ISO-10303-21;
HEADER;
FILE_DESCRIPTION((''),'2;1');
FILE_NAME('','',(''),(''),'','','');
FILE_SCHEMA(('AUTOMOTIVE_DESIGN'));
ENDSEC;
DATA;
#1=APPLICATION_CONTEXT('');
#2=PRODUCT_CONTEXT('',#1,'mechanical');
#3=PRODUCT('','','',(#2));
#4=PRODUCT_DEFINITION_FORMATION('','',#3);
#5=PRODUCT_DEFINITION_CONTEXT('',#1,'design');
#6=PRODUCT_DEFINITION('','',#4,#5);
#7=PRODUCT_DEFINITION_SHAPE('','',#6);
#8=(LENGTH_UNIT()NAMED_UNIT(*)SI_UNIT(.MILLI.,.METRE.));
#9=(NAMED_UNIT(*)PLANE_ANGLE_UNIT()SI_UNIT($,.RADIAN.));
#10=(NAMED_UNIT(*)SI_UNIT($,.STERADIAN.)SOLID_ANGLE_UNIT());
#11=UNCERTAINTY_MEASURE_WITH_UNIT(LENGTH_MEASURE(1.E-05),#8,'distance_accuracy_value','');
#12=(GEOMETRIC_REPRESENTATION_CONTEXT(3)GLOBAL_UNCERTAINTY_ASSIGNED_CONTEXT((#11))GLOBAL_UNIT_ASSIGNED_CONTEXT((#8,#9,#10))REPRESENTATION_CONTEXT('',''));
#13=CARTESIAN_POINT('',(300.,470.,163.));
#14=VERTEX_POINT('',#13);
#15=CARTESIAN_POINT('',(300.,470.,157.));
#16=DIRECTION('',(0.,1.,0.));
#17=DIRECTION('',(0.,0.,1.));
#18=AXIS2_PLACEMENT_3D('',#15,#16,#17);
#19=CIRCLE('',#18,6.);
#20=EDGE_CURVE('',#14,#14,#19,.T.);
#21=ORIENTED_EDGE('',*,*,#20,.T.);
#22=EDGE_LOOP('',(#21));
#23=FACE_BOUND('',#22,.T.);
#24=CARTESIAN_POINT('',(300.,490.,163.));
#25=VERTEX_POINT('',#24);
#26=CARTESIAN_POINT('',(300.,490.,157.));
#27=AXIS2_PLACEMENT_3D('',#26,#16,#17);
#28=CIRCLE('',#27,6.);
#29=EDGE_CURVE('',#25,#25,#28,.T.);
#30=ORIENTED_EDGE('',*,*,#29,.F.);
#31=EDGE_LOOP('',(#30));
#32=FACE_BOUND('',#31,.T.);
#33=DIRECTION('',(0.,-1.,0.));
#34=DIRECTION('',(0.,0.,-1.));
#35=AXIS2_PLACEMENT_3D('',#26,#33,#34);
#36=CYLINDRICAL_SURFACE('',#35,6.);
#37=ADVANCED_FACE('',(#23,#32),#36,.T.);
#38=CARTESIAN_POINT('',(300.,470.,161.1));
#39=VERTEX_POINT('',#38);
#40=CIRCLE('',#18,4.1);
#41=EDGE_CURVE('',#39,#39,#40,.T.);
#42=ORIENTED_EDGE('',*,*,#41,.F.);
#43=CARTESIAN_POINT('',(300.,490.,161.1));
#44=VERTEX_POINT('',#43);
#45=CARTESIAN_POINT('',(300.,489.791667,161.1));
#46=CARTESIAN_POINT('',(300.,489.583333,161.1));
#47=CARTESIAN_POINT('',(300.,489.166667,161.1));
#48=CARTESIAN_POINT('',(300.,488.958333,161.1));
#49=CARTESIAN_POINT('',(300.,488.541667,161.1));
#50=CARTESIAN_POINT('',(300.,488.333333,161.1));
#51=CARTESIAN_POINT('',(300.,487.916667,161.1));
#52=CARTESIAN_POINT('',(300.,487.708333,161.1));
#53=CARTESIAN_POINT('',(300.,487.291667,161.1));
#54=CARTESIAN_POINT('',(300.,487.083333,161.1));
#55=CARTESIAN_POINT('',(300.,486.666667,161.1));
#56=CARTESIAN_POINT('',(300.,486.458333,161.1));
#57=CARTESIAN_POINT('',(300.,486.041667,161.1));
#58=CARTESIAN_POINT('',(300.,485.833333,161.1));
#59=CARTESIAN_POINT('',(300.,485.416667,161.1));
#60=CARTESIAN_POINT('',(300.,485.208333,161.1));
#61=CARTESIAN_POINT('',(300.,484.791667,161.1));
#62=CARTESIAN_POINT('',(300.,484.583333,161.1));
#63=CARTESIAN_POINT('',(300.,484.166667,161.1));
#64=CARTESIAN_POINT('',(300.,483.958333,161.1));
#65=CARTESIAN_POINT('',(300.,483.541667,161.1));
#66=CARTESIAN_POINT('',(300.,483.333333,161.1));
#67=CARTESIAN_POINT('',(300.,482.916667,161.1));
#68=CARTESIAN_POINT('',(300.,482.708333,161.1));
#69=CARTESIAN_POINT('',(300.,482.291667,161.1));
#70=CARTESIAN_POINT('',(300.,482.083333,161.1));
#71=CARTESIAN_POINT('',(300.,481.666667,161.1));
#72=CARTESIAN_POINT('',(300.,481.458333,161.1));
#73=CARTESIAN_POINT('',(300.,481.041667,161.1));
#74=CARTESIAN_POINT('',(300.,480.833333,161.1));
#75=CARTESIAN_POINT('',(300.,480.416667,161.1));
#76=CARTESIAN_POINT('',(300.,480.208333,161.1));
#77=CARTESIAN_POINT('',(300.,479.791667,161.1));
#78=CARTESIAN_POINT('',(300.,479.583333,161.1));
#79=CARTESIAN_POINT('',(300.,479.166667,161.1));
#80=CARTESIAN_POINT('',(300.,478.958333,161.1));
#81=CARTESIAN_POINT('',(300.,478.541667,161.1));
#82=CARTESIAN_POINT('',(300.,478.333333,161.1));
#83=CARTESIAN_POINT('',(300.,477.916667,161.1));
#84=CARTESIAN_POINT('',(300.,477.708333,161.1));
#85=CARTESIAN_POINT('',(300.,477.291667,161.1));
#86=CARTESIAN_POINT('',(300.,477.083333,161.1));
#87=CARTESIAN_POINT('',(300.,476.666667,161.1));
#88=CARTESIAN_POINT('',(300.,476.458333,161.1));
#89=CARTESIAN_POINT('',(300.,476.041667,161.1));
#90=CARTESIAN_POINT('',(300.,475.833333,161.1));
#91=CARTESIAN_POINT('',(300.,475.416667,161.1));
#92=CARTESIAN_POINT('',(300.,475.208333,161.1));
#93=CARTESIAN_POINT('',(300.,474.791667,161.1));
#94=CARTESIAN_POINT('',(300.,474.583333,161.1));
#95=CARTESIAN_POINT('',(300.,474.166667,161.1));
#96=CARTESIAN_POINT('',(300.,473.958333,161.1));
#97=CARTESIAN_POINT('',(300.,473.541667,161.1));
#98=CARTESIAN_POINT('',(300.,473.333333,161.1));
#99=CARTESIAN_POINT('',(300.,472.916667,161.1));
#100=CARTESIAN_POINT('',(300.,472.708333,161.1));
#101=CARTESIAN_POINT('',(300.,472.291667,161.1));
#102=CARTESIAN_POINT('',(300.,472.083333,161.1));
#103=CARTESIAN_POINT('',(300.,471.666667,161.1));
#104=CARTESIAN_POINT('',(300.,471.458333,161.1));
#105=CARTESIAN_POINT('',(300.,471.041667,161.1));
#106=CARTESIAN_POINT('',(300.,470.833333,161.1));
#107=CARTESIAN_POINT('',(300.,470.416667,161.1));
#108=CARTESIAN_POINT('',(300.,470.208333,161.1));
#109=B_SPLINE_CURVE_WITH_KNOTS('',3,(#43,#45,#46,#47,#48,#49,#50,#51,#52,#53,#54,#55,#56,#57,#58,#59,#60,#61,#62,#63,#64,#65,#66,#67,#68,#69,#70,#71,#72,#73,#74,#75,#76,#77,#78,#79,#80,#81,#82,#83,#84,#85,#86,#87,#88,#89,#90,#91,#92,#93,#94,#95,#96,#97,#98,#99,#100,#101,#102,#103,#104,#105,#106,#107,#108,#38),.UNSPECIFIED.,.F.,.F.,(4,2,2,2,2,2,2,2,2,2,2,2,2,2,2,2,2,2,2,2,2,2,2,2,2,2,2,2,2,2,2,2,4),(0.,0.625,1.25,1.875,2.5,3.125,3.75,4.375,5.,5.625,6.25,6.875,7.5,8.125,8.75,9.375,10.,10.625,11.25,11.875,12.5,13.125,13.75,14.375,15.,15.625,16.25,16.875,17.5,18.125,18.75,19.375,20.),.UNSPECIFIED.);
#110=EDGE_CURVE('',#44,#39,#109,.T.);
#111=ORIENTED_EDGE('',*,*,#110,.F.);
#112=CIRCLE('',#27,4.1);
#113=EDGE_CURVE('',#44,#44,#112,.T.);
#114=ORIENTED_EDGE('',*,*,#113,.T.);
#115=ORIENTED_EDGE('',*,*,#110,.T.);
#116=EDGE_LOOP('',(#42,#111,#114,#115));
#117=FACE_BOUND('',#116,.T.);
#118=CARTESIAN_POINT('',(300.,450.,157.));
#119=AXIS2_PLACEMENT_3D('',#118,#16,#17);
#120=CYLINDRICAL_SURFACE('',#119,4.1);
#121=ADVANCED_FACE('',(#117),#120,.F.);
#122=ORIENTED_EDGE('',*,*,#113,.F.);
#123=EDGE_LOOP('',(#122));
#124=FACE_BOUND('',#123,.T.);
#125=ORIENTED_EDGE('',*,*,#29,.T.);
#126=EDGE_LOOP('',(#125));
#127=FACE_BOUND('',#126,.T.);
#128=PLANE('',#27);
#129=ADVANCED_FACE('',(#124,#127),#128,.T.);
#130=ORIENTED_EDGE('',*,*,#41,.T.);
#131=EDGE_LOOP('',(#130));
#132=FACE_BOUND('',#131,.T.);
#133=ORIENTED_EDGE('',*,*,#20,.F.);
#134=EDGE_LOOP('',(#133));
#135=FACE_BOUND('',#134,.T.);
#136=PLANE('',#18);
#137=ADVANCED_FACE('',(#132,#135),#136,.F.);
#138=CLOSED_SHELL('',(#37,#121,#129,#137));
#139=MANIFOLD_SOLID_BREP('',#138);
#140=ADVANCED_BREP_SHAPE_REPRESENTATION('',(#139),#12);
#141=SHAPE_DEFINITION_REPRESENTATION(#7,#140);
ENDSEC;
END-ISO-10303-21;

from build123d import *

# Parameters (mm, degrees)
SKETCH1_R           = 6
BOSS_EXTRUDE1_DEPTH = 20
SKETCH2_R           = 4.1
CUT_EXTRUDE1_DEPTH  = 40


with BuildPart() as part:
    # Sketch1 → Boss-Extrude1 (new body)
    with BuildSketch(Plane(origin=(0, 470, 0), x_dir=(1, 0, 0), z_dir=(0, 1, 0))):
        with Locations(Location((300, -157, 0), (0, 0, 270))):
            Circle(SKETCH1_R)
    extrude(amount=BOSS_EXTRUDE1_DEPTH)

    # Sketch2 → Cut-Extrude1 (cut)
    with BuildSketch(Plane(origin=(0, 490, 0), x_dir=(1, 0, 0), z_dir=(0, 1, 0))):
        with Locations(Location((300, -157, 0), (0, 0, 270))):
            Circle(SKETCH2_R)
    extrude(amount=-CUT_EXTRUDE1_DEPTH, mode=Mode.SUBTRACT)


solid = part.part
